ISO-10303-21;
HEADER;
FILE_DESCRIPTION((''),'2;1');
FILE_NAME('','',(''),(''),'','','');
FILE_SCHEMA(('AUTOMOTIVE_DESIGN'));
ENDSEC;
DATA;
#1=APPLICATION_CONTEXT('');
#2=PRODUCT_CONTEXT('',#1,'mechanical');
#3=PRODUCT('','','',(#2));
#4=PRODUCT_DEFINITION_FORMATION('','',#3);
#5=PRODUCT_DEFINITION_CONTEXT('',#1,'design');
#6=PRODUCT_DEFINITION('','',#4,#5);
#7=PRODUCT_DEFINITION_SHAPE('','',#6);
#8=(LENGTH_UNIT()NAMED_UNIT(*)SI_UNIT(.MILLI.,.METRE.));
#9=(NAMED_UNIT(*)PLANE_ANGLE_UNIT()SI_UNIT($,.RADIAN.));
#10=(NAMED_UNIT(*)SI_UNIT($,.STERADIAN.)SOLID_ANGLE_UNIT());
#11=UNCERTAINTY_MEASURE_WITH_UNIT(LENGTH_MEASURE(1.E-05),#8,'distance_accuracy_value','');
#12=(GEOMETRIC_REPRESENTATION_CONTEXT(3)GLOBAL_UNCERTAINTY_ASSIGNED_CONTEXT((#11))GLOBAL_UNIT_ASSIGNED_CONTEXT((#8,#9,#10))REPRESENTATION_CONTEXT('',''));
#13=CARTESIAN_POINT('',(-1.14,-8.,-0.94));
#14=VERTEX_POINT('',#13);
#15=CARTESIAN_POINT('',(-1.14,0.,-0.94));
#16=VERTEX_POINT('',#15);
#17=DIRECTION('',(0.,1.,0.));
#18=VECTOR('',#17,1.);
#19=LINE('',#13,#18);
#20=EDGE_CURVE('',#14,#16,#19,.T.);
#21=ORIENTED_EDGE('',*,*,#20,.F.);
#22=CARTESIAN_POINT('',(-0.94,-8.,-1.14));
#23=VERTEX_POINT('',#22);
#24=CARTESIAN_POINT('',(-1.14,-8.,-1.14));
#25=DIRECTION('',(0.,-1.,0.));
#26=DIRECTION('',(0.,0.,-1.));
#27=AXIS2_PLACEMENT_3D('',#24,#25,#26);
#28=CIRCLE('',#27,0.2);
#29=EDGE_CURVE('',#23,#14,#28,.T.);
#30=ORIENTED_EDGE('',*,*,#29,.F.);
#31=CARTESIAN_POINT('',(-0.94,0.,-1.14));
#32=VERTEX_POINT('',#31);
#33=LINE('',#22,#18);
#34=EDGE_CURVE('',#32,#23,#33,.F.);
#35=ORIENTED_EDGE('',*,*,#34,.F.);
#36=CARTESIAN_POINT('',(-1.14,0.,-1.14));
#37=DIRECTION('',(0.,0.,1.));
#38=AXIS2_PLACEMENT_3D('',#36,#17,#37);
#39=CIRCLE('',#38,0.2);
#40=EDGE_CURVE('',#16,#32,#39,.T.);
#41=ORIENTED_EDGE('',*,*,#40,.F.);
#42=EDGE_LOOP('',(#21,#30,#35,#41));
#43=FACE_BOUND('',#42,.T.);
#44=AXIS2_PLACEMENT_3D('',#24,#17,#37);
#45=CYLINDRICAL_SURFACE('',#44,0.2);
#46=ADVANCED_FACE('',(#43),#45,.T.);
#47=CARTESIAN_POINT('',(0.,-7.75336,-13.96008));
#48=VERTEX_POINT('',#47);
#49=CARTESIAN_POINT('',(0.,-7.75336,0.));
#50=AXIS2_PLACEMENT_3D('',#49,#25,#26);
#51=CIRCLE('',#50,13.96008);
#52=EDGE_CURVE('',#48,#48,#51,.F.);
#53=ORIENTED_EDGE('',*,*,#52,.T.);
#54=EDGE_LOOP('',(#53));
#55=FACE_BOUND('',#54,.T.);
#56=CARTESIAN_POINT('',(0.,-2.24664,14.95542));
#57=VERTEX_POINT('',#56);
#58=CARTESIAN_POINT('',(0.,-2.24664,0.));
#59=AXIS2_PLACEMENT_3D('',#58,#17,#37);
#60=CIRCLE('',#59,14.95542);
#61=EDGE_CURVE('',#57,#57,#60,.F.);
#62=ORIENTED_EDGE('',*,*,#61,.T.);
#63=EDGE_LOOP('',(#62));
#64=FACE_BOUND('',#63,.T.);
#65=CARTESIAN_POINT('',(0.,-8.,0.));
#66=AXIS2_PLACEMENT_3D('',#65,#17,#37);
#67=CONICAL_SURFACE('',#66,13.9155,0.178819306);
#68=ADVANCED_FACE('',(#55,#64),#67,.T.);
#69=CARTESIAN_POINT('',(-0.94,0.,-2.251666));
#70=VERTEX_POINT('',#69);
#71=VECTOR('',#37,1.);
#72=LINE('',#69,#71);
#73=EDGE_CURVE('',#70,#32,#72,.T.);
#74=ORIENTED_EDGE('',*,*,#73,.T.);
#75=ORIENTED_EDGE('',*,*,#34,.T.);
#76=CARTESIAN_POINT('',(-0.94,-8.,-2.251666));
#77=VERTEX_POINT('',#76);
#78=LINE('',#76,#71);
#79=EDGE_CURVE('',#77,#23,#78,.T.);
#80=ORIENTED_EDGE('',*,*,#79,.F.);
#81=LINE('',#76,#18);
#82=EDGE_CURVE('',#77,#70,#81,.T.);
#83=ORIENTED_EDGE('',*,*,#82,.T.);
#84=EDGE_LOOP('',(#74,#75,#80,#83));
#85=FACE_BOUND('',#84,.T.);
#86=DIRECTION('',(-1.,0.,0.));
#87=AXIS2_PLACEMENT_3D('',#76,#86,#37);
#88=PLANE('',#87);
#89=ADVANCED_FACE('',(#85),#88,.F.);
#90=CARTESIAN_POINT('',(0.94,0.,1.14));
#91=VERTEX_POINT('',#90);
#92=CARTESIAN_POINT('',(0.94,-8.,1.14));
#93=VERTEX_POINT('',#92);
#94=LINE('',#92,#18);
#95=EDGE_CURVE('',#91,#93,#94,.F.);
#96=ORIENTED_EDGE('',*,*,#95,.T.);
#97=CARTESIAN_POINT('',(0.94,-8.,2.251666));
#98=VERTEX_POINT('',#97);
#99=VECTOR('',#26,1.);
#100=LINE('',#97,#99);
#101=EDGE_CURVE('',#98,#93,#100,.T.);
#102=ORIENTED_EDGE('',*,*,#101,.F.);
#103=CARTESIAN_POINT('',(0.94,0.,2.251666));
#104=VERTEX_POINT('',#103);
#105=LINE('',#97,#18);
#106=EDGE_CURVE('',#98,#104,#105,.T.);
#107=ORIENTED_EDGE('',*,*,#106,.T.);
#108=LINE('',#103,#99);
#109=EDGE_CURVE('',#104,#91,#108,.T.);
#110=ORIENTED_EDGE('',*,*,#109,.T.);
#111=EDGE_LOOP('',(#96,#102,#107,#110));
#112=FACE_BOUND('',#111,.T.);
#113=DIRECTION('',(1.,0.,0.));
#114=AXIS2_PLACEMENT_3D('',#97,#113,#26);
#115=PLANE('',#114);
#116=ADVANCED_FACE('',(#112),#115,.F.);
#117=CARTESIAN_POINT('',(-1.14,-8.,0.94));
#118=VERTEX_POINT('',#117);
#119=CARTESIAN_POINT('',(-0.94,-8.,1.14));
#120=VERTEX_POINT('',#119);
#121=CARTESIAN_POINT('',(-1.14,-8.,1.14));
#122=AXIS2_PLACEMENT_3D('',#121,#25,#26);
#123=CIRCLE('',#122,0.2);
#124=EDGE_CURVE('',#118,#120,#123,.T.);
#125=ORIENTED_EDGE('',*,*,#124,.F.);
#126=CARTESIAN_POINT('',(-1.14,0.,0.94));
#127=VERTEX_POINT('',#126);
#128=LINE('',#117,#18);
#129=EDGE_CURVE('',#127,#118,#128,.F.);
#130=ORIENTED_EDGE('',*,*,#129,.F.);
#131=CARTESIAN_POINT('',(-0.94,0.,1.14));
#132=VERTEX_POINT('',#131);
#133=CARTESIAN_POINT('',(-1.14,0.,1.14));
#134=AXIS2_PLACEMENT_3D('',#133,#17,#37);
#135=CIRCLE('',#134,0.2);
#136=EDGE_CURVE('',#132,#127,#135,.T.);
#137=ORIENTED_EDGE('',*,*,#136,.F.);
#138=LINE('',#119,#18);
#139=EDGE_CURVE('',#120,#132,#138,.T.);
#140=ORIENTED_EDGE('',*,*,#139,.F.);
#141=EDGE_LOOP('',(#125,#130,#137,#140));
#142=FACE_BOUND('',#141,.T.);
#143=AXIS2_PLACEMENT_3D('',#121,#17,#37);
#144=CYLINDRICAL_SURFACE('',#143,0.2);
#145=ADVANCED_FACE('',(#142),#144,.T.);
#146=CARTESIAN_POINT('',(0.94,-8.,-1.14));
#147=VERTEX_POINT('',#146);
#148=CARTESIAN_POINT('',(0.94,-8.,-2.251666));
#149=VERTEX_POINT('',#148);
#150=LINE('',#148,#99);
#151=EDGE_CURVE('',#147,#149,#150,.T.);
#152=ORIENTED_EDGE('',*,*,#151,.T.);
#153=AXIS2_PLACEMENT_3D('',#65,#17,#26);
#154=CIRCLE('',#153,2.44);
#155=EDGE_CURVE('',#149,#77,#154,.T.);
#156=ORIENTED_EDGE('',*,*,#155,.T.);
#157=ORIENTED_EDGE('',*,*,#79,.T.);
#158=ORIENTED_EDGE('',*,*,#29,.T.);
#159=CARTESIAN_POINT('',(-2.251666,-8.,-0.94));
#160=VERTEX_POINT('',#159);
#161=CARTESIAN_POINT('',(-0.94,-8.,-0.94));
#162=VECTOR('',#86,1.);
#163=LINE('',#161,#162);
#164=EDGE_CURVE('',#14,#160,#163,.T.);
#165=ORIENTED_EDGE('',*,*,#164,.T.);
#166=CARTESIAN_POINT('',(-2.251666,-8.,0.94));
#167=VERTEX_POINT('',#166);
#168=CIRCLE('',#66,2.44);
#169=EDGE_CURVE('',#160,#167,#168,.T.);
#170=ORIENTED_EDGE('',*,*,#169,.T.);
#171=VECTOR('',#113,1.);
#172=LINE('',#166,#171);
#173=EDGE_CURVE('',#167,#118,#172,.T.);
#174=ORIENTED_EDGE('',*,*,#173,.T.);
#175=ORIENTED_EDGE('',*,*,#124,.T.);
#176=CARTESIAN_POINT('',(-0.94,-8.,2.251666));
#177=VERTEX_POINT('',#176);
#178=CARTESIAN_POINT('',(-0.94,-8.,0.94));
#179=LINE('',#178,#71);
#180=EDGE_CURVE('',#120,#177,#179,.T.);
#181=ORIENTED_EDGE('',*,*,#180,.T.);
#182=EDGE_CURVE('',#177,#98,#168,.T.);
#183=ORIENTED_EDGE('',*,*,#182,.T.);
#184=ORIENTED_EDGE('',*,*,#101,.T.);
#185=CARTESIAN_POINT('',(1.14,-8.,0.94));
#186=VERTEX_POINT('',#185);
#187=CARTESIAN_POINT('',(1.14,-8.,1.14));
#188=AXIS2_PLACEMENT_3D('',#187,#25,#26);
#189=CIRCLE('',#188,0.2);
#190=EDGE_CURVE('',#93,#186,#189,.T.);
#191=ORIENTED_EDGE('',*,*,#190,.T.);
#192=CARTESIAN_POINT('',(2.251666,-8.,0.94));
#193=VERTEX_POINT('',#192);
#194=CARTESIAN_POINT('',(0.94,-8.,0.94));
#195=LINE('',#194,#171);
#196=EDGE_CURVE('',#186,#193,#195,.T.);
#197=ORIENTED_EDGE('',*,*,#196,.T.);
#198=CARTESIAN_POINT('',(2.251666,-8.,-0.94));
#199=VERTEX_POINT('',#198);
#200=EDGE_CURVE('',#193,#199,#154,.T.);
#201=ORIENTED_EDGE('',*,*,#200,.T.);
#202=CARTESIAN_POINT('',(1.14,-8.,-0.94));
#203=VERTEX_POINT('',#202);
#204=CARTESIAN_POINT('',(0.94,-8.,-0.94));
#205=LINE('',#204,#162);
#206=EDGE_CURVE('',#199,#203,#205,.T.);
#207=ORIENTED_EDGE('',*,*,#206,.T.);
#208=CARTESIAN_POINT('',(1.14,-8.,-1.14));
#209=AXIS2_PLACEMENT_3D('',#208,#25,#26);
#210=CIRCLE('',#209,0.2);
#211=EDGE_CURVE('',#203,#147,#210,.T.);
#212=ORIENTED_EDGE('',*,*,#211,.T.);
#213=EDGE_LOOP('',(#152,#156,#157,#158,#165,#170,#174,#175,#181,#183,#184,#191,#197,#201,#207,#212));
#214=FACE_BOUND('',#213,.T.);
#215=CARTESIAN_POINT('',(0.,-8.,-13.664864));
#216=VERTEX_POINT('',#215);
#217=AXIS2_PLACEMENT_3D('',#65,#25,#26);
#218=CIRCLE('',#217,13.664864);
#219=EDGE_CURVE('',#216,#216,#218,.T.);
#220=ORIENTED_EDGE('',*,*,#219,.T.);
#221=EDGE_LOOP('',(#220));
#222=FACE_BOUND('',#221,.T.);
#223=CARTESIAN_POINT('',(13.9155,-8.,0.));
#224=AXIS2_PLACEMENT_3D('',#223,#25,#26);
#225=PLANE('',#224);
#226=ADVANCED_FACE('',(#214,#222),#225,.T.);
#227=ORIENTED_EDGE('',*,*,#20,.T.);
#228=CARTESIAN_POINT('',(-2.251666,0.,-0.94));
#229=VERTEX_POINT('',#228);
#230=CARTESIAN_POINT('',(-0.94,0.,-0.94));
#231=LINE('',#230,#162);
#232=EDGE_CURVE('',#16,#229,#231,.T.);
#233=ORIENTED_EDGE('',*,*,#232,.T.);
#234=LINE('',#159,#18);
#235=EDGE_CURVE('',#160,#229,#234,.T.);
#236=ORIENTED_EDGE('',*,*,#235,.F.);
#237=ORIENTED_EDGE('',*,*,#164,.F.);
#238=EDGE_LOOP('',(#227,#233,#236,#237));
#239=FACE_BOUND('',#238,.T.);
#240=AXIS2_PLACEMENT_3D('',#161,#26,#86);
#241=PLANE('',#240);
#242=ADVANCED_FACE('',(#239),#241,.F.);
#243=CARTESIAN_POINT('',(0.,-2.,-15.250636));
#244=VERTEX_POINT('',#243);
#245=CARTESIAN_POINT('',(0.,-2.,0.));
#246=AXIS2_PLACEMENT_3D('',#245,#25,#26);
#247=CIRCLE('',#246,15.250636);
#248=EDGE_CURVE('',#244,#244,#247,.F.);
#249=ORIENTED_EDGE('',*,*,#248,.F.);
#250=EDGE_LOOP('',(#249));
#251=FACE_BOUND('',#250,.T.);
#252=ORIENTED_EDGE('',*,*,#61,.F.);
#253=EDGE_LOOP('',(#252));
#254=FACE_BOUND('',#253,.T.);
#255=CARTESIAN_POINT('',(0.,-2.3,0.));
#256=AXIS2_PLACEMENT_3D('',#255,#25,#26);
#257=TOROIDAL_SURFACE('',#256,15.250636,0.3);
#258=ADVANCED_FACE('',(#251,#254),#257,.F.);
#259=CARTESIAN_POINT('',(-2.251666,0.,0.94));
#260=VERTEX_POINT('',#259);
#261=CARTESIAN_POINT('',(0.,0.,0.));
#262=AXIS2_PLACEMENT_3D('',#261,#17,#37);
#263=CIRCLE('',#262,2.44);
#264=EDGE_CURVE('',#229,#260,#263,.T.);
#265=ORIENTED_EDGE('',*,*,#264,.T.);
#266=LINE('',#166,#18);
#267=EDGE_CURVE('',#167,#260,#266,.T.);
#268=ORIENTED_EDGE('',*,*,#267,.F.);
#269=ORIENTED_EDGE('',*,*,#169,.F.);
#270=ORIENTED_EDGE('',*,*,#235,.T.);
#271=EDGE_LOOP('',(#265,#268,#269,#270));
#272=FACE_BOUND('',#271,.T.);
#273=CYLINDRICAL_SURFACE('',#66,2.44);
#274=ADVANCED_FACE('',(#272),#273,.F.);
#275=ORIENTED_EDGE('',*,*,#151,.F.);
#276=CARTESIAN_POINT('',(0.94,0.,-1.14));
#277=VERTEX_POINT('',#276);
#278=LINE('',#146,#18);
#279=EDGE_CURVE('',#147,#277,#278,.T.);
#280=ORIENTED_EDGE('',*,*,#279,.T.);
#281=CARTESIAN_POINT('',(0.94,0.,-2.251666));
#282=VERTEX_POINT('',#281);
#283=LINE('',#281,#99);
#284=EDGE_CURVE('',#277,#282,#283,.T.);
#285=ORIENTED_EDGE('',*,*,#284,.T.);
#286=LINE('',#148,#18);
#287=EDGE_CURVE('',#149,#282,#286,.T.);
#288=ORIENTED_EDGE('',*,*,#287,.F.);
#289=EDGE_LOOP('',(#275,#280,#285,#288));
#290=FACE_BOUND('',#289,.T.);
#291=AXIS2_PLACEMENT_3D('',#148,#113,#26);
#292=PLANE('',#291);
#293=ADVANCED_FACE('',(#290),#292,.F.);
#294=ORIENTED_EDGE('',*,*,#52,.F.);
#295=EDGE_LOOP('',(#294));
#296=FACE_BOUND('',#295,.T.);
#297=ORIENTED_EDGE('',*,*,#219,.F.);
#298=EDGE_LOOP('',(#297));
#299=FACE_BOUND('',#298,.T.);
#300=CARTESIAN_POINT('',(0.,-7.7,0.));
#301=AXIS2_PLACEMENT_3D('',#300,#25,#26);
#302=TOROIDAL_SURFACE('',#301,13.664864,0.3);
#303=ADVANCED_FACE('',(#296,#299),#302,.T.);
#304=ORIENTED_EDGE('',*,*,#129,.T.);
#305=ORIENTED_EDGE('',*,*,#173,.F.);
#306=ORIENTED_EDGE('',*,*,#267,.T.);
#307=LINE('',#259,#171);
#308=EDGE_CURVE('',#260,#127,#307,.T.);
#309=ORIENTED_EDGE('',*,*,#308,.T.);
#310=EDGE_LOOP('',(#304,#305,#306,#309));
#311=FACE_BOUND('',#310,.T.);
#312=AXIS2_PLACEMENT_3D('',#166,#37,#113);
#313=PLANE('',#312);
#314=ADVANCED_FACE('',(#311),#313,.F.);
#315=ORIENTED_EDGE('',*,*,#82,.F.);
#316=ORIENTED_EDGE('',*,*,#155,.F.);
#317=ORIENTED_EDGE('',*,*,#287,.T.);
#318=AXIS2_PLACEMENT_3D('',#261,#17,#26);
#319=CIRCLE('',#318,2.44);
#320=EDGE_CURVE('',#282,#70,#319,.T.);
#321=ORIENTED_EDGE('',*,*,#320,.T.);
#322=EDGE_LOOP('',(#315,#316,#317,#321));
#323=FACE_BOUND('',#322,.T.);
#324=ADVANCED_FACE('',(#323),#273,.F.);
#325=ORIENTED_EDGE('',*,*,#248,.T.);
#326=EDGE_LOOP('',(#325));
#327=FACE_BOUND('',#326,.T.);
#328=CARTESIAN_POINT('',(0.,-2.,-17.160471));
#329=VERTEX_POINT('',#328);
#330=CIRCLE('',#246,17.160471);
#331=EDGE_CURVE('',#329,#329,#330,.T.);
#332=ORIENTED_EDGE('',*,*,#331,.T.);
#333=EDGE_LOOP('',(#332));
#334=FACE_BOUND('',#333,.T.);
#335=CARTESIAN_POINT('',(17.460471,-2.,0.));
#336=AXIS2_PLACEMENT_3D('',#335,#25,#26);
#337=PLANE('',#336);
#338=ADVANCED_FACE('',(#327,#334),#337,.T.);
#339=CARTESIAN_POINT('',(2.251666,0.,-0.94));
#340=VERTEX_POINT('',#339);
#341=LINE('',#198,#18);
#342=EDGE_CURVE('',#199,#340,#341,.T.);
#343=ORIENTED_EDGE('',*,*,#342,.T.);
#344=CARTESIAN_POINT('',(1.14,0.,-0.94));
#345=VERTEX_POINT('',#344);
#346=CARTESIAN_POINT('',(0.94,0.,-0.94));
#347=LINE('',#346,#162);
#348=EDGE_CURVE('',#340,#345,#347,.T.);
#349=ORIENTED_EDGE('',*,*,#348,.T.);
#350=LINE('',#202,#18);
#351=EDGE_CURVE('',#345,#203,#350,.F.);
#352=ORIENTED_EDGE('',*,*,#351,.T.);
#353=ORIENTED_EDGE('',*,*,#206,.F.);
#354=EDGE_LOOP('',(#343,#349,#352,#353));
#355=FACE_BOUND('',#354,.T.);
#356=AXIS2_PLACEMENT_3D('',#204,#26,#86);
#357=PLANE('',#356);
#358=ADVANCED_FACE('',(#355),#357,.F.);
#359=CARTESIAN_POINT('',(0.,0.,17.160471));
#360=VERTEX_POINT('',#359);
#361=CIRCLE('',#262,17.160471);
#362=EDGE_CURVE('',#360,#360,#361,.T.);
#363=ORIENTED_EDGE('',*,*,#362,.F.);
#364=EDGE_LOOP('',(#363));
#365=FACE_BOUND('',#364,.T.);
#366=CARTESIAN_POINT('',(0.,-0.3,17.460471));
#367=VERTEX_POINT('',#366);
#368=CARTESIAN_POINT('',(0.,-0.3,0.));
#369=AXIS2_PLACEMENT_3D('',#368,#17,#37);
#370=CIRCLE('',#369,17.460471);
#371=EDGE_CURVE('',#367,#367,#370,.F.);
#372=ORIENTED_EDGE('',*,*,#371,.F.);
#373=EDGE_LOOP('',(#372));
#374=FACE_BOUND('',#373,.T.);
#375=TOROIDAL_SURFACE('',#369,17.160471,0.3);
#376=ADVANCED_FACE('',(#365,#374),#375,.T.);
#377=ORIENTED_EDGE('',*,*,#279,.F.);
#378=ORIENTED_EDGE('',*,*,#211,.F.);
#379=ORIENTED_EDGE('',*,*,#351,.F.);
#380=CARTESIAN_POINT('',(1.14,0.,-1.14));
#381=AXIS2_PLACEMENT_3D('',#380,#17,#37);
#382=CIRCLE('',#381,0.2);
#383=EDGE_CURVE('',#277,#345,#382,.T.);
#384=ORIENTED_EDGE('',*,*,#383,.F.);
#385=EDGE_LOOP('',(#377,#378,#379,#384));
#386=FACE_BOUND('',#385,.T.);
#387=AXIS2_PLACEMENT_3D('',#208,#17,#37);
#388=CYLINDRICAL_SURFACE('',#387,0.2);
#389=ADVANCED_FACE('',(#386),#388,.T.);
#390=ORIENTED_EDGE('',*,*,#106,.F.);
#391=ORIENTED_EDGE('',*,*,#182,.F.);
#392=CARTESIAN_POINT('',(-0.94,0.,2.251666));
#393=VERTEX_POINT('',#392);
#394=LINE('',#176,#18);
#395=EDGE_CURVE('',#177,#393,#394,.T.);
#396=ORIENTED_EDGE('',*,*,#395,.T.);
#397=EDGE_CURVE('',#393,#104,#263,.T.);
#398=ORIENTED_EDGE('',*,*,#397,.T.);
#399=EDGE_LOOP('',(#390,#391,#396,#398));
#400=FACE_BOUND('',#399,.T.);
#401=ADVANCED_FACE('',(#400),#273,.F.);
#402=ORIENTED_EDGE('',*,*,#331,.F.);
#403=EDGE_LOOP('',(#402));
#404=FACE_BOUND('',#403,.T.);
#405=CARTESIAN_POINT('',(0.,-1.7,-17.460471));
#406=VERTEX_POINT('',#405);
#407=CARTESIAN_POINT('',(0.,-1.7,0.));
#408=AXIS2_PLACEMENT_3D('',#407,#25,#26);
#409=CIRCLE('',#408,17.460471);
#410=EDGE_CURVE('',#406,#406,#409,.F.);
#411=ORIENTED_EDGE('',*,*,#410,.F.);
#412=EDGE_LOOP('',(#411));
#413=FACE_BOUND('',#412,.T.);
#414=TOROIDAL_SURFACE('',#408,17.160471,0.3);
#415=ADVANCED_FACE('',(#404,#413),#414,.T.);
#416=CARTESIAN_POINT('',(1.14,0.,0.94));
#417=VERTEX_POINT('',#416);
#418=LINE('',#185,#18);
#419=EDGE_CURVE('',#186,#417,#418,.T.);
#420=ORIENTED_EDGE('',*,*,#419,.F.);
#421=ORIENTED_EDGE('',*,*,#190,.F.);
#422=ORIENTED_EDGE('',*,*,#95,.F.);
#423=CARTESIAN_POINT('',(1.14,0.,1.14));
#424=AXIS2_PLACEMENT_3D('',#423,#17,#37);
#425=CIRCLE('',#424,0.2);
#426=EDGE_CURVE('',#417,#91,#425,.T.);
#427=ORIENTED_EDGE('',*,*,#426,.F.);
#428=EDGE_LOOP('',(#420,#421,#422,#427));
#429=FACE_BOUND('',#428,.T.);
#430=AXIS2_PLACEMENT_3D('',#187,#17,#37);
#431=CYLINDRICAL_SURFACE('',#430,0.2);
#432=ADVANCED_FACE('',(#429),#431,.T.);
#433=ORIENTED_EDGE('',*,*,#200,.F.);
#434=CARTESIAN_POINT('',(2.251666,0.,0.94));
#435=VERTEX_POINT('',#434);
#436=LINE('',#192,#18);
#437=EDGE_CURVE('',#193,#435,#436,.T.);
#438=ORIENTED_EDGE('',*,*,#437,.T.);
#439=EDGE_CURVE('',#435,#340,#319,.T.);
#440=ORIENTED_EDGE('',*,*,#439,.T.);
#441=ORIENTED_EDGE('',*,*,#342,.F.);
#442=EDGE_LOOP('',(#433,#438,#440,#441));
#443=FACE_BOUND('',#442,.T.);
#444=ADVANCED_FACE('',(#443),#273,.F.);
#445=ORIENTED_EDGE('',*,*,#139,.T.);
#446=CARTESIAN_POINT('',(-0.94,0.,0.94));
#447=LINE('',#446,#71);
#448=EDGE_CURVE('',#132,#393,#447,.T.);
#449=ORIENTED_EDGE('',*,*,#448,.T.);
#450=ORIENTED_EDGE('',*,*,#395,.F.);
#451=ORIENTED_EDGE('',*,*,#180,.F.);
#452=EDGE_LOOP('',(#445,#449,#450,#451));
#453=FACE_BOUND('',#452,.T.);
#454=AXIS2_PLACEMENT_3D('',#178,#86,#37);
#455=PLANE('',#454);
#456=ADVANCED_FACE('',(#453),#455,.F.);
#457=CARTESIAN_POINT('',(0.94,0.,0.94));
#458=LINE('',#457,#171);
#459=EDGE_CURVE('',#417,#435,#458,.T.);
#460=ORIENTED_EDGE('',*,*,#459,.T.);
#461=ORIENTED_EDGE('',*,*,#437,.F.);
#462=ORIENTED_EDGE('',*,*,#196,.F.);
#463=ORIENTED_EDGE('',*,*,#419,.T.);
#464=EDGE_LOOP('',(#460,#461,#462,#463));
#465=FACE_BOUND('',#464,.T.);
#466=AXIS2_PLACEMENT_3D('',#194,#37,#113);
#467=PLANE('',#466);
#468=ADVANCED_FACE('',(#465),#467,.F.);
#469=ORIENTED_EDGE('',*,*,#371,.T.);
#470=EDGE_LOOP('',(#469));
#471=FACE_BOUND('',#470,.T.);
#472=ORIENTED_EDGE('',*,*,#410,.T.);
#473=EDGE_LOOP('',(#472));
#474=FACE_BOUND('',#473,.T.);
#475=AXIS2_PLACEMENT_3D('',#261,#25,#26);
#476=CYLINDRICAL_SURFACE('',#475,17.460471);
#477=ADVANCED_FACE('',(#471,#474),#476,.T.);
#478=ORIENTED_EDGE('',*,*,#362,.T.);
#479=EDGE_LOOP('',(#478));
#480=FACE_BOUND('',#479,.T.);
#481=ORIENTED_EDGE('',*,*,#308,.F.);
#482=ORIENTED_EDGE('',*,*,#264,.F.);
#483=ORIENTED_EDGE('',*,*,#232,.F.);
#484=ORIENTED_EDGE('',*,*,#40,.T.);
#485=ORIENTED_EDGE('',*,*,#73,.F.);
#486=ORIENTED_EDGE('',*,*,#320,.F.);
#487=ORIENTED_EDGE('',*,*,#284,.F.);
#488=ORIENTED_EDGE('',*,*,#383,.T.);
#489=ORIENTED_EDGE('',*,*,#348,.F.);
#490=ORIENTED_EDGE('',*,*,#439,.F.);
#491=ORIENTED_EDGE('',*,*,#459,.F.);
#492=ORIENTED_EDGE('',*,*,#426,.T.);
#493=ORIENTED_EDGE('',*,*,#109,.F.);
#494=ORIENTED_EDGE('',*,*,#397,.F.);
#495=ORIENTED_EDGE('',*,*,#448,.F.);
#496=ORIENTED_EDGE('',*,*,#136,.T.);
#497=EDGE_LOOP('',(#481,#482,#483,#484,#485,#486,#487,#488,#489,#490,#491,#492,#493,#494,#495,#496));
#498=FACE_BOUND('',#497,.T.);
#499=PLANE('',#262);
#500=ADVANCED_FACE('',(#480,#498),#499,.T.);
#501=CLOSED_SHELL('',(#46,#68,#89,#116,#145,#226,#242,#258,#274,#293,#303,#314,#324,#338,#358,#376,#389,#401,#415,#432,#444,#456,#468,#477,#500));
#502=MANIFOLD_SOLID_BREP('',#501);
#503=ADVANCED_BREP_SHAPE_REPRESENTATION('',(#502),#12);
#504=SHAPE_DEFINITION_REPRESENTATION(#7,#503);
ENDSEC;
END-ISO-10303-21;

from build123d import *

# Parameters (mm, degrees)
CUT_EXTRUDE1_DEPTH = 26.956426849
FILLET1_R          = 0.2
FILLET2_R          = 0.3


with BuildPart() as part:
    # Sketch2 → Revolve1 (revolve)
    with BuildSketch(Plane.XY, mode=Mode.PRIVATE) as revolve1_sk:
        Polygon((0, 0), (17.460470996, 0), (17.460470996, -2), (15, -2), (13.9155, -8), (0, -8), align=None)
    revolve(revolve1_sk.sketch.rotate(Axis((0, 0, 0), (0, 1, 0)), 90), axis=Axis((0, 0, 0), (0, 1, 0)))

    # Sketch1 → Cut-Extrude1 (cut, through all)
    with BuildSketch(Plane(origin=(0, 0, 0), x_dir=(1, 0, 0), z_dir=(0, 1, 0))):
        with BuildLine():
            Line((-0.94, 0.94), (-2.25166605, 0.94))
            ThreePointArc((-2.25166605, 0.94), (-2.44, 0), (-2.25166605, -0.94))
            Line((-2.25166605, -0.94), (-0.94, -0.94))
            Line((-0.94, -0.94), (-0.94, -2.25166605))
            ThreePointArc((-0.94, -2.25166605), (0, -2.44), (0.94, -2.25166605))
            Line((0.94, -2.25166605), (0.94, -0.94))
            Line((0.94, -0.94), (2.25166605, -0.94))
            ThreePointArc((2.25166605, -0.94), (2.44, 0), (2.25166605, 0.94))
            Line((2.25166605, 0.94), (0.94, 0.94))
            Line((0.94, 0.94), (0.94, 2.25166605))
            ThreePointArc((0.94, 2.25166605), (0, 2.44), (-0.94, 2.25166605))
            Line((-0.94, 2.25166605), (-0.94, 0.94))
        make_face()
    extrude(amount=-CUT_EXTRUDE1_DEPTH, mode=Mode.SUBTRACT)

    # Fillet1
    fillet1_edges = [part.edges().sort_by_distance(p)[0] for p in [
        (-0.94, -4, -0.94),
        (0.94, -4, -0.94),
        (0.94, -4, 0.94),
        (-0.94, -4, 0.94),
    ]]
    fillet(fillet1_edges, radius=FILLET1_R)

    # Fillet2
    fillet2_edges = [part.edges().sort_by_distance(p)[0] for p in [
        (0, -8, 13.9155),
        (0, -2, 15),
        (0, -2, 17.460470996),
        (0, 0, 17.460470996),
    ]]
    fillet(fillet2_edges, radius=FILLET2_R)


solid = part.part
